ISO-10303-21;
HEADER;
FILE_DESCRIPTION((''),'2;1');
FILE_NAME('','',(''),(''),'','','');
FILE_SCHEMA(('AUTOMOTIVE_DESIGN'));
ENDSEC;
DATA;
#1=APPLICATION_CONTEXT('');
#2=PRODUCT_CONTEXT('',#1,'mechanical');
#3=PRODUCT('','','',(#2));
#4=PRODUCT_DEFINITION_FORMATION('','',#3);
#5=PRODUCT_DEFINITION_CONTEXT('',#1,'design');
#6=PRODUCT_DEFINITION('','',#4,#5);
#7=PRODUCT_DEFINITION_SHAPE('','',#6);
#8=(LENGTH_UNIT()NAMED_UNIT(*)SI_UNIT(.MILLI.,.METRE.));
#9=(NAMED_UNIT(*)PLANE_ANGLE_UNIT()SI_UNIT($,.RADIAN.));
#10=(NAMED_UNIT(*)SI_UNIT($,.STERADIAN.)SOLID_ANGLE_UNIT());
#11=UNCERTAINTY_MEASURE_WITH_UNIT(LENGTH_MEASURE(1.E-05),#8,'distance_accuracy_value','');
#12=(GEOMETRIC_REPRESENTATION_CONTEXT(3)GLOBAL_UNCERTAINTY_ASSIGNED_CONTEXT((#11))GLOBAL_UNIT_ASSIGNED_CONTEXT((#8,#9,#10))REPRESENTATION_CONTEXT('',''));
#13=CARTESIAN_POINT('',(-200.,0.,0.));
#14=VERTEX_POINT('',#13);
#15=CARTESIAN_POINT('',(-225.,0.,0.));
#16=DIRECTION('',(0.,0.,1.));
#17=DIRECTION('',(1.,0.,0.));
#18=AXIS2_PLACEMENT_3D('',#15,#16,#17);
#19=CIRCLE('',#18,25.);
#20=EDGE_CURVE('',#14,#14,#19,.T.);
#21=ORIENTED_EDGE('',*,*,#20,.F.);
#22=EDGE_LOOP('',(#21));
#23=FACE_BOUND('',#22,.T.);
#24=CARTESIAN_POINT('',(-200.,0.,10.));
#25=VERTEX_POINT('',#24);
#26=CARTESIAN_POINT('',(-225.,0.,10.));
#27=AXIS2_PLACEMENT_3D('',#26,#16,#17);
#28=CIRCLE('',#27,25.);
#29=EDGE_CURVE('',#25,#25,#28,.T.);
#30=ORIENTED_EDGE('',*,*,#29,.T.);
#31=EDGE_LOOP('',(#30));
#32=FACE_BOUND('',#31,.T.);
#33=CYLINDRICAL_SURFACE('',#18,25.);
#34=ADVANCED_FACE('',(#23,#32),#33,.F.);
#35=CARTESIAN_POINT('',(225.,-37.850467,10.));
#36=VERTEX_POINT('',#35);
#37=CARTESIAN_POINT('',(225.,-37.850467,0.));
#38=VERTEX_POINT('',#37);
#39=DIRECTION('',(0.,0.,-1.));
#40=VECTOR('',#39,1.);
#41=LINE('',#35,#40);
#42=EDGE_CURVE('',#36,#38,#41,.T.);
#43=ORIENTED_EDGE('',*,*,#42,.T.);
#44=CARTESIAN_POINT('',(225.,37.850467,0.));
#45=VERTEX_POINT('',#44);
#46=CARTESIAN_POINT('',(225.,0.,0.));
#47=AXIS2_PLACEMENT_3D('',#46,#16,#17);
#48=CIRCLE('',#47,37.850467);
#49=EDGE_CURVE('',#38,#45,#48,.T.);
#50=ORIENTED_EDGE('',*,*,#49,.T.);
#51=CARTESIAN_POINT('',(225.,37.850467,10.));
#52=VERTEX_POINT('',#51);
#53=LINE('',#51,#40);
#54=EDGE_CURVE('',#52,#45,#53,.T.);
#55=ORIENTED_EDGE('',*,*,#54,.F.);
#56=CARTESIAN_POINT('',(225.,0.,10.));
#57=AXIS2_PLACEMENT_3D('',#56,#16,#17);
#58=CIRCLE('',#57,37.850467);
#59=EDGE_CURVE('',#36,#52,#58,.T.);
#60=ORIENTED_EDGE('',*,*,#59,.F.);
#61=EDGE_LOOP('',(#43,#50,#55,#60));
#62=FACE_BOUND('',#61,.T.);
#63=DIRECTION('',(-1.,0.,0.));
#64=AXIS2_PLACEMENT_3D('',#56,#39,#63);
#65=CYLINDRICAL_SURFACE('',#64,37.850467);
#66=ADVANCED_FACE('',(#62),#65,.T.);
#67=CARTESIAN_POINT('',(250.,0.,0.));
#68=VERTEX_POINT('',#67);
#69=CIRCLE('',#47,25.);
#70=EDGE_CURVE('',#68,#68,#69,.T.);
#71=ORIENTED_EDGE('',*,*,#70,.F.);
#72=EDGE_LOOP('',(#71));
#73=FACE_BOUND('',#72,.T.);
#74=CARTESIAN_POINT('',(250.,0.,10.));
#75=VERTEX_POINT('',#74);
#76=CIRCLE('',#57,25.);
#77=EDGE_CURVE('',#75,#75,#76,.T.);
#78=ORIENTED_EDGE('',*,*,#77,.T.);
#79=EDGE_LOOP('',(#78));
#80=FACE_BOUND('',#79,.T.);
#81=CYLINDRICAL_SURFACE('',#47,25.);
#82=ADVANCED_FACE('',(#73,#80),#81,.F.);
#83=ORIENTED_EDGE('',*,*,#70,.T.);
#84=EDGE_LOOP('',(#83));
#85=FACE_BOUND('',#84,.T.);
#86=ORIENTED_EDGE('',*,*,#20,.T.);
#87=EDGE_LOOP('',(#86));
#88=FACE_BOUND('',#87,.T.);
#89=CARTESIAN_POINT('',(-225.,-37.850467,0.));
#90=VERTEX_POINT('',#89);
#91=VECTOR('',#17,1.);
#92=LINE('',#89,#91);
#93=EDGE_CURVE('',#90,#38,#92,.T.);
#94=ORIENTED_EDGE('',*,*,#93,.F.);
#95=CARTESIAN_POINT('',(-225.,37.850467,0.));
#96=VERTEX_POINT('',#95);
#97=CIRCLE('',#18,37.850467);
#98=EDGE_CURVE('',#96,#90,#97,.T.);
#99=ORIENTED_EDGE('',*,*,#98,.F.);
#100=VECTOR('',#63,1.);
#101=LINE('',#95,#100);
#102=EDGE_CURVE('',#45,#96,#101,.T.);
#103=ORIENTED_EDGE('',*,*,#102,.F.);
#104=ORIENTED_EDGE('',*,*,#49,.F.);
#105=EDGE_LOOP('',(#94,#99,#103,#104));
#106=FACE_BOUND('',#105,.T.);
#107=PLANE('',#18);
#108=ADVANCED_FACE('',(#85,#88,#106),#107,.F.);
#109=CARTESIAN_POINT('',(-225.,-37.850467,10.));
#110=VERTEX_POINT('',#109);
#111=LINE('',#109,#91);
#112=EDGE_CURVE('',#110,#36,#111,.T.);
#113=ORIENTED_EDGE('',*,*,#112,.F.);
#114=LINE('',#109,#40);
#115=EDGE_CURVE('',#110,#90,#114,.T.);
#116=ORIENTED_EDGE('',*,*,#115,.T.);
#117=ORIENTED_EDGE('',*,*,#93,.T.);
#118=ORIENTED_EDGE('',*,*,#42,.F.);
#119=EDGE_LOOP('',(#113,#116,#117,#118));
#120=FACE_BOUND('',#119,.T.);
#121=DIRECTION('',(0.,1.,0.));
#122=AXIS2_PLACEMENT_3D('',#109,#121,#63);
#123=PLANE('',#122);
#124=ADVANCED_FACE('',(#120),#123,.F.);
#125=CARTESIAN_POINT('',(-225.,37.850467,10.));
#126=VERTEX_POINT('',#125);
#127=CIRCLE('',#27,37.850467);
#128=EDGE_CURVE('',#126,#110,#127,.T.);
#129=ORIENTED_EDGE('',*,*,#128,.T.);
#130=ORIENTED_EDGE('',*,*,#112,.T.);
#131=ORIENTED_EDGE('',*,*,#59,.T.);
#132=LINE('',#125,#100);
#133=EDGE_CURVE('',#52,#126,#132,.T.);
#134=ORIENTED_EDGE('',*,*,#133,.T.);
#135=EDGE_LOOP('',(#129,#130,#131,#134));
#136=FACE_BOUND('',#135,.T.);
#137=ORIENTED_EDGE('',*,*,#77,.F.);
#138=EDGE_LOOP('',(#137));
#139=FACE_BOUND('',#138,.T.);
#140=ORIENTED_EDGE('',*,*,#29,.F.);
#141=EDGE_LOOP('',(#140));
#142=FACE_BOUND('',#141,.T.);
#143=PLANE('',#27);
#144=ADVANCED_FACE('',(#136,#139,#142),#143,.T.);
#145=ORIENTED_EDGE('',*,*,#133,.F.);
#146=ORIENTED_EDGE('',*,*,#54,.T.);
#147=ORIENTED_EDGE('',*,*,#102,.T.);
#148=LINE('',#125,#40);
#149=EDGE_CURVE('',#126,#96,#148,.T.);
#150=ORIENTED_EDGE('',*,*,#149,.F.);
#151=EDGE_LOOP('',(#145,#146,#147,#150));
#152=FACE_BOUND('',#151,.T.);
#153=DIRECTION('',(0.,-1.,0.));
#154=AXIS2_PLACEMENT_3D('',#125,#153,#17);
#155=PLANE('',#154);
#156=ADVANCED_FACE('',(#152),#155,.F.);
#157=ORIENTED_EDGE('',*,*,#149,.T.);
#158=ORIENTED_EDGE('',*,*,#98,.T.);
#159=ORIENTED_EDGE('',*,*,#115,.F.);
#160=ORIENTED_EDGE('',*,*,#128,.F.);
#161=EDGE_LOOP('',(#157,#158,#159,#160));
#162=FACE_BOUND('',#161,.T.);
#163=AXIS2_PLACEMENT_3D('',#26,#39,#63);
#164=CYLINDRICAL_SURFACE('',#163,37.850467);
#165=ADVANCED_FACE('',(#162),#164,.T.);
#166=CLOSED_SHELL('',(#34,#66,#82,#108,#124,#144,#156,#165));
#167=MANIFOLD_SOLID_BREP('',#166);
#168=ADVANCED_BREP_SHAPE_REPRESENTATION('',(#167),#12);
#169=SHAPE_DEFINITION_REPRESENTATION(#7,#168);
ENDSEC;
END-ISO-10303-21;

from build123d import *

# Parameters (mm, degrees)
BOSS_EXTRUDE1_DEPTH = 10
SKETCH2_R           = 25
CUT_EXTRUDE1_DEPTH  = 10


with BuildPart() as part:
    # Sketch1 → Boss-Extrude1 (new body)
    with BuildSketch(Plane.XY):
        with BuildLine():
            Line((-225, 37.85046729), (225, 37.85046729))
            ThreePointArc((225, 37.85046729), (262.85046729, 0), (225, -37.85046729))
            Line((225, -37.85046729), (-225, -37.85046729))
            ThreePointArc((-225, -37.85046729), (-262.85046729, 0), (-225, 37.85046729))
        make_face()
    extrude(amount=BOSS_EXTRUDE1_DEPTH)

    # Sketch2 → Cut-Extrude1 (cut)
    with BuildSketch(Plane.XY.offset(10)):
        with Locations((-225, 0)):
            Circle(SKETCH2_R)
        with Locations((225, 0)):
            Circle(SKETCH2_R)
    extrude(amount=-CUT_EXTRUDE1_DEPTH, mode=Mode.SUBTRACT)


solid = part.part
